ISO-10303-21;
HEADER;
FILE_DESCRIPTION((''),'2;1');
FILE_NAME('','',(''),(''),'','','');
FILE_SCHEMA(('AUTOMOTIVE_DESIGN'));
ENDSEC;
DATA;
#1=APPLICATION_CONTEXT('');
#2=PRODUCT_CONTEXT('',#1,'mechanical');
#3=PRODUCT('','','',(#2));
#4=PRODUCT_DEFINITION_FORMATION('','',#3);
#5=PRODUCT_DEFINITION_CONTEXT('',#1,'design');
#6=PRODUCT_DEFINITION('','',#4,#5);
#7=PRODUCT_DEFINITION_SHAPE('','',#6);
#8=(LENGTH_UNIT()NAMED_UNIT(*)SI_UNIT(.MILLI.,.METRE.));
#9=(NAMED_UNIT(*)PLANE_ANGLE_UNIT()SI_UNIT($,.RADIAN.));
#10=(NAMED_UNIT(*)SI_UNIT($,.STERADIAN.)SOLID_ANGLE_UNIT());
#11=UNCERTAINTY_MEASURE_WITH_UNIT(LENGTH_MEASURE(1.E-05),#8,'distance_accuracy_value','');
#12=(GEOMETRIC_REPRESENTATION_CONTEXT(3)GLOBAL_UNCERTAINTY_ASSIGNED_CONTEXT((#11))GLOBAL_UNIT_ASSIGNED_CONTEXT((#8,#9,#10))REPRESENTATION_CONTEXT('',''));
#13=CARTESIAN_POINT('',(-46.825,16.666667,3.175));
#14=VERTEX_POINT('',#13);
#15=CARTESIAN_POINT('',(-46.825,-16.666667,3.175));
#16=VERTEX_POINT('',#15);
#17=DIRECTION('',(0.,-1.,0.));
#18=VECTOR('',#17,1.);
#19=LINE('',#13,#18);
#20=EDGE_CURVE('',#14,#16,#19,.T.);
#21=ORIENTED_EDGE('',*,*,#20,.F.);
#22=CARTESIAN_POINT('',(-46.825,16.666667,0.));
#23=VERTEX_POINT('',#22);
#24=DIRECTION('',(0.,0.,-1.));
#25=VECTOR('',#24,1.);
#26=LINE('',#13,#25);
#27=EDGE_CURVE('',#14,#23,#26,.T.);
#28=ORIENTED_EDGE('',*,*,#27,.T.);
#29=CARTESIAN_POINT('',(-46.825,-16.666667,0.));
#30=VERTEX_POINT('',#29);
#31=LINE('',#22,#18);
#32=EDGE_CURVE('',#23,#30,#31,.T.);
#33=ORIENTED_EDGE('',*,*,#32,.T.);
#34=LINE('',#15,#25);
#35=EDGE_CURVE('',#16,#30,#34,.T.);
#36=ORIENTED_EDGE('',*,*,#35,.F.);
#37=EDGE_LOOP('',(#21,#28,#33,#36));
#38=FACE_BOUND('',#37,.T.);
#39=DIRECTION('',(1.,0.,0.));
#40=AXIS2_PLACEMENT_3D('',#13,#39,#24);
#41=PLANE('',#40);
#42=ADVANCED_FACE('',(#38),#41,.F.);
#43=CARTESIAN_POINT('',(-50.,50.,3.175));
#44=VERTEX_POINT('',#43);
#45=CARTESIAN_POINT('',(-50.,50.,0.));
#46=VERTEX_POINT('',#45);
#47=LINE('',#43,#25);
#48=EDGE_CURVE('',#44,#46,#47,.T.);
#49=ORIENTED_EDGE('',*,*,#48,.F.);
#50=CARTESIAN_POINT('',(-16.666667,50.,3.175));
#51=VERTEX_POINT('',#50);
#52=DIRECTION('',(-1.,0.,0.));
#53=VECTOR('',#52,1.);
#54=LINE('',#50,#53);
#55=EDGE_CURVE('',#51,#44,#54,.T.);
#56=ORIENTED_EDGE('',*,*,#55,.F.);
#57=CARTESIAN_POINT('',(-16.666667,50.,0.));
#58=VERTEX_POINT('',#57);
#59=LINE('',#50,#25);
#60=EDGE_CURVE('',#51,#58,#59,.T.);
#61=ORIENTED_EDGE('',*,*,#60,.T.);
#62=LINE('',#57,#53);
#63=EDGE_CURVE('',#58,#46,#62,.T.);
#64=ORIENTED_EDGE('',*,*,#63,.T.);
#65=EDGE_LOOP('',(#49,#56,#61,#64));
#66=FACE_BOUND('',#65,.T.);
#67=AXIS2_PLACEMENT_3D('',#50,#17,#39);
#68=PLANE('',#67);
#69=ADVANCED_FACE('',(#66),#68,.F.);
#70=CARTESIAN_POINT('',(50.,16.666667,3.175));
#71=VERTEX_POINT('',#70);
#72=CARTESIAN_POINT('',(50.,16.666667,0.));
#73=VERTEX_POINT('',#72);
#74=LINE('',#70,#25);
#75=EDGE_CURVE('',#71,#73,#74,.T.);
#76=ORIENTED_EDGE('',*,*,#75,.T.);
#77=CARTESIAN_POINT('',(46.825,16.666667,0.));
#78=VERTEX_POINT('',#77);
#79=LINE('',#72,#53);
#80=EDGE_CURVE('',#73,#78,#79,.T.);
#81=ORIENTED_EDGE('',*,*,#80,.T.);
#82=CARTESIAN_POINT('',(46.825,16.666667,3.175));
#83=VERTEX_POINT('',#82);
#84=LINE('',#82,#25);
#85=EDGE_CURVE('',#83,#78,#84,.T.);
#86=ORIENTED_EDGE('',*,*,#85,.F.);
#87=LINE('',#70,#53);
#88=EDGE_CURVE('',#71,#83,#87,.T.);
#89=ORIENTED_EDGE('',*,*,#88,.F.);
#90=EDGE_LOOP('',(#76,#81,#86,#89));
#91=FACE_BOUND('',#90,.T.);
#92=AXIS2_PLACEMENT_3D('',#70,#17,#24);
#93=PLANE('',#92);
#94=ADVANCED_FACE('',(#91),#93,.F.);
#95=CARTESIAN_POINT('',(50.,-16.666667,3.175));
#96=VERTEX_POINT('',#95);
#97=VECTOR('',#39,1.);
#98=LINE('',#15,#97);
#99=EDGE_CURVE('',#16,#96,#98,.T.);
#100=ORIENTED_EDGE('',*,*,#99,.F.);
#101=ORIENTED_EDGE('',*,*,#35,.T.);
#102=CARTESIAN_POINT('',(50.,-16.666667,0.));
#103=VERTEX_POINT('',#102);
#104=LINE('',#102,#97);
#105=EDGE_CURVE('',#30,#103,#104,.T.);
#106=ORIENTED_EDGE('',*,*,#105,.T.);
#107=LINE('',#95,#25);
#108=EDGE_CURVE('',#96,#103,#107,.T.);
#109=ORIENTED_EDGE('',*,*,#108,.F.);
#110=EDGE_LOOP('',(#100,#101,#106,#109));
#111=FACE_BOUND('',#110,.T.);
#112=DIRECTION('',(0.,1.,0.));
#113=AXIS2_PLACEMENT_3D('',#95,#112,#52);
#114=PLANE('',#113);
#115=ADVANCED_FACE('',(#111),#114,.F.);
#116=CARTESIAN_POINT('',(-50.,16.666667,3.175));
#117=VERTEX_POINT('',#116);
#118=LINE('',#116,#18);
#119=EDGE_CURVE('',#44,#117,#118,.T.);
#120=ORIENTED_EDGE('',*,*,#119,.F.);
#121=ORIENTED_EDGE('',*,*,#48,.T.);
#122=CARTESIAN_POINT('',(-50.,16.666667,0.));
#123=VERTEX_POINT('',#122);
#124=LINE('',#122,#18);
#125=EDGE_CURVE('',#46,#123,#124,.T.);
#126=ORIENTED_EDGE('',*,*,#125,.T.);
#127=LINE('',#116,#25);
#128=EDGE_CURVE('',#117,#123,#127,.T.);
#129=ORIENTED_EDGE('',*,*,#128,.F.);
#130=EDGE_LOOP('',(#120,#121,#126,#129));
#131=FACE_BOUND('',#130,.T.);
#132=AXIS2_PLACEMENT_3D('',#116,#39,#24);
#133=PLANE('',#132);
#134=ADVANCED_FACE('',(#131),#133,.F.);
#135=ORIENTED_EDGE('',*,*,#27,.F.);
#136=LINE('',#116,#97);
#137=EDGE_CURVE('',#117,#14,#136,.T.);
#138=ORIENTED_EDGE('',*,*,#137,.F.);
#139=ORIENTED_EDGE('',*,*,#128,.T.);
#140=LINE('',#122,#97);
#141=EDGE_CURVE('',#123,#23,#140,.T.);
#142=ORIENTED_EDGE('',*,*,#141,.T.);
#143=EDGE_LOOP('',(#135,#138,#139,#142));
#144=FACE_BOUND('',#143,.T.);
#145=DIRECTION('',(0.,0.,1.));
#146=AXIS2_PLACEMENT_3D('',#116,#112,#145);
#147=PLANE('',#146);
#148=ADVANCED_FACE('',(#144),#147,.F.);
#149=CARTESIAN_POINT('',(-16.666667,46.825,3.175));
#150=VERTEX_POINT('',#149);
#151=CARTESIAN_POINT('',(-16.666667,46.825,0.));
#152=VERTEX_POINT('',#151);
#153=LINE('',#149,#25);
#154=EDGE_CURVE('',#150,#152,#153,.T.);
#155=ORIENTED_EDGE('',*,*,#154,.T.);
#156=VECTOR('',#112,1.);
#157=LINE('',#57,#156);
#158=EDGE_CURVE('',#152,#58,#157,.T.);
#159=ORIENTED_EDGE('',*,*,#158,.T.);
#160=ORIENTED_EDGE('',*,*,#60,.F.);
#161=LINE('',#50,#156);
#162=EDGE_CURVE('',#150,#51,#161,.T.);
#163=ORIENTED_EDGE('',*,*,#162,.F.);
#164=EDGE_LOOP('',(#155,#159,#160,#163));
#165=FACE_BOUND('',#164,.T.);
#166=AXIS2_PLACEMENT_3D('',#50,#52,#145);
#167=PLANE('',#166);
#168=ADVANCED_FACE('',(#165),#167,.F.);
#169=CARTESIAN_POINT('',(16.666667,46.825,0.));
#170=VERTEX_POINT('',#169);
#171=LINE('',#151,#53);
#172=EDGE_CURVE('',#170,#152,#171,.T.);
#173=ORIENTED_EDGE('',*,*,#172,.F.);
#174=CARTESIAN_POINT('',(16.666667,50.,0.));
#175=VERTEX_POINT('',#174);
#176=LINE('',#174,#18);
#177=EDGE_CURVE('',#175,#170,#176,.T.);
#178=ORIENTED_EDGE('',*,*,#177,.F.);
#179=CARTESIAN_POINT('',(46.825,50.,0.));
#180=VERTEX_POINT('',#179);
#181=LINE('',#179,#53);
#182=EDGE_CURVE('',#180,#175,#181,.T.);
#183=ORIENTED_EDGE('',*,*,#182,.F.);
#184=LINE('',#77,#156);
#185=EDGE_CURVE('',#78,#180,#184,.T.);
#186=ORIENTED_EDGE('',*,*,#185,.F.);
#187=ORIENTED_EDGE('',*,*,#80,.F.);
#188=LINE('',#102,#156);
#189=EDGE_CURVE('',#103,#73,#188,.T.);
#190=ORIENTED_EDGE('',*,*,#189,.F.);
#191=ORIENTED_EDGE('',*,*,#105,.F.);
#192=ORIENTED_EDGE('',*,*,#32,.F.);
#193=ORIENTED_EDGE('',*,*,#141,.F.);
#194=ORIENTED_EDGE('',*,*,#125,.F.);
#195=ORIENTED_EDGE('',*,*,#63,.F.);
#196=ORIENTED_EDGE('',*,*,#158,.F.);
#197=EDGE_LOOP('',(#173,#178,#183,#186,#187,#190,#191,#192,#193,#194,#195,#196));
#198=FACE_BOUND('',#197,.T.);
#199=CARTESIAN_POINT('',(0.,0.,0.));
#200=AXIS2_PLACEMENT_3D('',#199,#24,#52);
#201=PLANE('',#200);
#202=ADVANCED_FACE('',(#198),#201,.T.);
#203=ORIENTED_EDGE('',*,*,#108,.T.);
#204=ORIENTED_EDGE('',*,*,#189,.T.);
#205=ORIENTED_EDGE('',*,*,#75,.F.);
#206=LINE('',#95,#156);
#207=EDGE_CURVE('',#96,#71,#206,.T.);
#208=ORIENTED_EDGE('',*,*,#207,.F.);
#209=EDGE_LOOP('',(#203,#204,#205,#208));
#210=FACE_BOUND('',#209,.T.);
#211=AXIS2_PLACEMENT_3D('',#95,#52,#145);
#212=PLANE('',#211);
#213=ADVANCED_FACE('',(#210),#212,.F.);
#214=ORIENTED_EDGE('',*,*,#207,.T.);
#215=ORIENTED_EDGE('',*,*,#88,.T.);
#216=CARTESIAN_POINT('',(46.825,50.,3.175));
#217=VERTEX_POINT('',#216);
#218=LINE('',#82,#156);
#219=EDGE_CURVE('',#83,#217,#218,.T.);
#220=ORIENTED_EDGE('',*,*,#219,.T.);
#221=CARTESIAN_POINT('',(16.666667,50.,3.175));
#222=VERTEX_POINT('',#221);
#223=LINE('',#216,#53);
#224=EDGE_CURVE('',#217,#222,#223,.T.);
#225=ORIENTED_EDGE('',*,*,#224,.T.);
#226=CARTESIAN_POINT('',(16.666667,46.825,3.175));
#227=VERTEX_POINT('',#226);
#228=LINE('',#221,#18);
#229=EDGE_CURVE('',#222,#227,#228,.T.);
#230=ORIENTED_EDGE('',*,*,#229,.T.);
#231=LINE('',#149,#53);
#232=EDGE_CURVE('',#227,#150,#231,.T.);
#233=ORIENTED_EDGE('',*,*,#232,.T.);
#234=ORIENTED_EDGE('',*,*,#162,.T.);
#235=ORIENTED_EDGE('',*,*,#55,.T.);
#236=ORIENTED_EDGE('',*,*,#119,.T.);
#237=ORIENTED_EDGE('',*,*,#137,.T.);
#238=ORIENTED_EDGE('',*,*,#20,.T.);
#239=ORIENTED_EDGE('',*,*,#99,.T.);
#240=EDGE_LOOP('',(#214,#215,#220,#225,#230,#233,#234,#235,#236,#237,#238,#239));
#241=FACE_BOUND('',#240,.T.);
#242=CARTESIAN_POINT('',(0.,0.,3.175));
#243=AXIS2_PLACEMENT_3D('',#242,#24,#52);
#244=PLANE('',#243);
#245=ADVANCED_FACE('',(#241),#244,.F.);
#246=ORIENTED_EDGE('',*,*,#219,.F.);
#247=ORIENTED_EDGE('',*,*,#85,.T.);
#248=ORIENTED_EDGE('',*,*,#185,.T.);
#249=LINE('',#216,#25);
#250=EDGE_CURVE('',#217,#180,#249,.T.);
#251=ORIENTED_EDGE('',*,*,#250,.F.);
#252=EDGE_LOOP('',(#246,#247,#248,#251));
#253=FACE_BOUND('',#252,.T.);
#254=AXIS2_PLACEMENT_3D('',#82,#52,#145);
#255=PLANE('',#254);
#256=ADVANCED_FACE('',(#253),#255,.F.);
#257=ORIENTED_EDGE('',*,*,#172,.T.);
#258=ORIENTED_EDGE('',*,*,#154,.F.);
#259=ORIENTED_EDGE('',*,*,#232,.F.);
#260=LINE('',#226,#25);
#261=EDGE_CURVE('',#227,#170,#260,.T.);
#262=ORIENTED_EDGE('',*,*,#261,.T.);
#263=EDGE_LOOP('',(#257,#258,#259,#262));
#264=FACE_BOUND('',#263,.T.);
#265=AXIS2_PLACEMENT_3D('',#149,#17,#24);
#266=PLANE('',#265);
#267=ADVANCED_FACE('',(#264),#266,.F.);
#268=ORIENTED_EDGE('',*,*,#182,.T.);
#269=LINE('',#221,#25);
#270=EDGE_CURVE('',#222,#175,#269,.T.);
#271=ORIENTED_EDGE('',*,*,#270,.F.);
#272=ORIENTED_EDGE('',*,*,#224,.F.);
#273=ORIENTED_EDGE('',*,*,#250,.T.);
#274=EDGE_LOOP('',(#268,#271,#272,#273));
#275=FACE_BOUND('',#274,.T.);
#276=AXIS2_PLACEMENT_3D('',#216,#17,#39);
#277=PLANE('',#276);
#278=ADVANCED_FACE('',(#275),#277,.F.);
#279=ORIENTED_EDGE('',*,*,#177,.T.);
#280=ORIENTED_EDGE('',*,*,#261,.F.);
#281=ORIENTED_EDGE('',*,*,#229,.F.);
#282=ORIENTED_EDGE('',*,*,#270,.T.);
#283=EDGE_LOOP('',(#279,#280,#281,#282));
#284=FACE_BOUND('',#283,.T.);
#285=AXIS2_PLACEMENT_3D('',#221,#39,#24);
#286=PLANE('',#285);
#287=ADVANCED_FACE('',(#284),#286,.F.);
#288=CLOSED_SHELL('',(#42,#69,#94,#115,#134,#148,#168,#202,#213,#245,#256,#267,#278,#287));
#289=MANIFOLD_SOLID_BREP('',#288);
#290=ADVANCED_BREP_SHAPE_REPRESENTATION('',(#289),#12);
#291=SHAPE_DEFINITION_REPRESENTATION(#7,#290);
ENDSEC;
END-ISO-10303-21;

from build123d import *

# Parameters (mm, degrees)
BOSS_EXTRUDE1_DEPTH = 3.175


with BuildPart() as part:
    # Sketch1 → Boss-Extrude1 (new body)
    with BuildSketch(Plane.XY):
        Polygon((-50, 16.666666667), (-50, 50), (-16.666666667, 50), (-16.666666667, 46.825), (16.666666667, 46.825), (16.666666667, 50), (46.825, 50), (46.825, 16.666666667), (50, 16.666666667), (50, -16.666666667), (46.825, -16.666666667), (-46.825, -16.666666667), (-46.825, 16.666666667), align=None)
    extrude(amount=BOSS_EXTRUDE1_DEPTH)


solid = part.part
